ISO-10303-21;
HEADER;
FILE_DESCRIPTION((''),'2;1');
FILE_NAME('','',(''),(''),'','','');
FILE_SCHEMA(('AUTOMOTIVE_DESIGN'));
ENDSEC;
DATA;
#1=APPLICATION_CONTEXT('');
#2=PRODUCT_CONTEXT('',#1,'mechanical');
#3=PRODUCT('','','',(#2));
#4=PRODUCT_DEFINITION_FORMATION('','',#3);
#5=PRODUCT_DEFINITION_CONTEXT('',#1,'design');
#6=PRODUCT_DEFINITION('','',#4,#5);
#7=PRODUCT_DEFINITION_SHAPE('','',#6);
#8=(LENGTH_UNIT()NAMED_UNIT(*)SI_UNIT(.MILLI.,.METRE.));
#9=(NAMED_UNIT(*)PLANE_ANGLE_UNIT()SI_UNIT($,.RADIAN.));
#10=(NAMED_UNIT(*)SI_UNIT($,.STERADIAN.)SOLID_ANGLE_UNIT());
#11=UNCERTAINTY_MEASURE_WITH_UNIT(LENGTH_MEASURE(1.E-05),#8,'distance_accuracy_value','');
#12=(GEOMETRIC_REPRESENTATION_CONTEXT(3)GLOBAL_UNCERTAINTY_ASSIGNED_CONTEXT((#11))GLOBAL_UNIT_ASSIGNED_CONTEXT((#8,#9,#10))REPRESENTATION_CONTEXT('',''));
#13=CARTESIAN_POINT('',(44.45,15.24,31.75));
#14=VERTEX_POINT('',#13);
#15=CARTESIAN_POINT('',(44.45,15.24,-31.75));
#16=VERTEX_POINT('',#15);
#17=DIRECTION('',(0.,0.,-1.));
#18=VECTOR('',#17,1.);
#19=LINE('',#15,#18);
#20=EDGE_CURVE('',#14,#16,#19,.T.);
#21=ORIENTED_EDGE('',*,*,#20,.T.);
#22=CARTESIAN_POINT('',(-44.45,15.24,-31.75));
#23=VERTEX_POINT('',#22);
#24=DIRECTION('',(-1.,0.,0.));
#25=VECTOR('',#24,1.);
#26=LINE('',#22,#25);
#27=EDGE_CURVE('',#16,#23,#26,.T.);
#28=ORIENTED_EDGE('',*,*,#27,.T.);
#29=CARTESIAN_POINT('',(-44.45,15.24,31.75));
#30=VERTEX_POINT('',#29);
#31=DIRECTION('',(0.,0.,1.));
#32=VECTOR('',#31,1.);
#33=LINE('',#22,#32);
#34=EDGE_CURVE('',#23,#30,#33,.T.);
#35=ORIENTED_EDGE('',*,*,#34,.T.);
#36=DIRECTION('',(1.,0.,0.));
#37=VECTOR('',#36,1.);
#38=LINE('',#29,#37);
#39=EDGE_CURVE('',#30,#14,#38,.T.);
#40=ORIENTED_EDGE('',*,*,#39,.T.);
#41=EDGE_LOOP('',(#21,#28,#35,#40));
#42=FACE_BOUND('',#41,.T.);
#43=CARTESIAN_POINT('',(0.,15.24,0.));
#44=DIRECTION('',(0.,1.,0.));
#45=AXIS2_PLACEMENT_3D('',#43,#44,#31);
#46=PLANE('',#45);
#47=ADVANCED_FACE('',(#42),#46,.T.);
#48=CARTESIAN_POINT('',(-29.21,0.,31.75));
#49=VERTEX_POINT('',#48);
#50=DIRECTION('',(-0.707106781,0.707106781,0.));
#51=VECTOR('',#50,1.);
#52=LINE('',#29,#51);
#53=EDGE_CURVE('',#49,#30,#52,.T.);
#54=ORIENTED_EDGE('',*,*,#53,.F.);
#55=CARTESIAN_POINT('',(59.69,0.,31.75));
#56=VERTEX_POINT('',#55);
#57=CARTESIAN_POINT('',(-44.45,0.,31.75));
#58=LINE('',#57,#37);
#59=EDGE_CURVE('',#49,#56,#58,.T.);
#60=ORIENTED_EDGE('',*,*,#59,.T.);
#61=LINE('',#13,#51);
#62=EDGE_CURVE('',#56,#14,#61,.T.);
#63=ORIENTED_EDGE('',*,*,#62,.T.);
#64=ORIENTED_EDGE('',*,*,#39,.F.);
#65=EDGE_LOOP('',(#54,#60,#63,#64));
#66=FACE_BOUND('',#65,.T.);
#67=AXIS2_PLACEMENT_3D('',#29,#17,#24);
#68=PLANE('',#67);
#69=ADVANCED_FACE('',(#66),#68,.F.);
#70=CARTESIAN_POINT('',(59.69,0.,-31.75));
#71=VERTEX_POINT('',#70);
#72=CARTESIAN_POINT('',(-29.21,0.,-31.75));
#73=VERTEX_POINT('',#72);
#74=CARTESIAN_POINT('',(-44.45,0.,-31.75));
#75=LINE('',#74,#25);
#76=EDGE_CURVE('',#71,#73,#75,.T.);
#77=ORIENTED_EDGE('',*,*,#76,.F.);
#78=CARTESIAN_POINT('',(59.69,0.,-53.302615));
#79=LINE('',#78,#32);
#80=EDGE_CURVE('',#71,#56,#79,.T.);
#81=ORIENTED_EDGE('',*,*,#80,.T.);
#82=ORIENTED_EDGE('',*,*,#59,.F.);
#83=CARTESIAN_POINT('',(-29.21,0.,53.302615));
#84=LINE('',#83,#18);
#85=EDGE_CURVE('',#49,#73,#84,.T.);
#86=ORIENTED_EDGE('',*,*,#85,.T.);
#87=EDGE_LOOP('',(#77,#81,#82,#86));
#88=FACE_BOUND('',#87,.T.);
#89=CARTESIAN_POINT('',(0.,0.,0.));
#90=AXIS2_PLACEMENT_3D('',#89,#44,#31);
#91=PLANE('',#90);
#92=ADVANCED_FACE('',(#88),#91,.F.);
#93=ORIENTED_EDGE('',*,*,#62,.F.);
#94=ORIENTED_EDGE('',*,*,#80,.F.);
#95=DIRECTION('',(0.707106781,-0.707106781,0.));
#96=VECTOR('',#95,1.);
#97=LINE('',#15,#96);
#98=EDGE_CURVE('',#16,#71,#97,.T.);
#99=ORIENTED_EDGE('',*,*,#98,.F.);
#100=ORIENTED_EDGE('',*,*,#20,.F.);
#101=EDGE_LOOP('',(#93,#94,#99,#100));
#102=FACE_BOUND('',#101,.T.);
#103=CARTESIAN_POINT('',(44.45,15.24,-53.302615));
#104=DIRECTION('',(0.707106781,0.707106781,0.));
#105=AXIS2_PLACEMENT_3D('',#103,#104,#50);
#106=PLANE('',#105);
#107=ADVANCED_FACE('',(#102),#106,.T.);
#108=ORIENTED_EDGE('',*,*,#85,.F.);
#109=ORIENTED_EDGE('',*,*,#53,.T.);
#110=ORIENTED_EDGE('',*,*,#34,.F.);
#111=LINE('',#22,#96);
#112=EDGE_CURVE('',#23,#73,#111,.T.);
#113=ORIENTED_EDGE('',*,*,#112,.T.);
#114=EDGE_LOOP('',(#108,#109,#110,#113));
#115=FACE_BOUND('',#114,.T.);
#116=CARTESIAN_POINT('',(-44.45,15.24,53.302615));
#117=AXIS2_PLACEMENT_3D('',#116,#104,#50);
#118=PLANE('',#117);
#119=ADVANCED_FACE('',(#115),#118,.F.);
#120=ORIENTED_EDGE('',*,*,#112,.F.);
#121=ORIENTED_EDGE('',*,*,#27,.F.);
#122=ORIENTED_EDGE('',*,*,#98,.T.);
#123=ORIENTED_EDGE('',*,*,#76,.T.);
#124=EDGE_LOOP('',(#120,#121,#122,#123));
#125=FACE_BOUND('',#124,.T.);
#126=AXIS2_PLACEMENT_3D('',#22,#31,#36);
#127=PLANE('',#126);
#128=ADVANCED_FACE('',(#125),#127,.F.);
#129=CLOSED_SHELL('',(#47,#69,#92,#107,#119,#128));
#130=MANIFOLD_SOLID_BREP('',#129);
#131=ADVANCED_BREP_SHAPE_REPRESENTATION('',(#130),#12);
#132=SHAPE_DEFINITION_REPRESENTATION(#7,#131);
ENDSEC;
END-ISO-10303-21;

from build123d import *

# Parameters (mm, degrees)
SKETCH1_W           = 88.9
SKETCH1_H           = 63.5
BOSS_EXTRUDE1_DEPTH = 15.24
BOSS_EXTRUDE2_DEPTH = 63.5
CUT_EXTRUDE1_DEPTH  = 63.5


with BuildPart() as part:
    # Sketch1 → Boss-Extrude1 (new body)
    with BuildSketch(Plane(origin=(0, 0, 0), x_dir=(1, 0, 0), z_dir=(0, 1, 0))):
        Rectangle(SKETCH1_W, SKETCH1_H)
    extrude(amount=BOSS_EXTRUDE1_DEPTH)

    # Sketch2 → Boss-Extrude2 (add)
    with BuildSketch(Plane.XY.offset(31.75)):
        Polygon((44.45, 15.24), (59.69, 0), (44.45, 0), align=None)
    extrude(amount=-BOSS_EXTRUDE2_DEPTH)

    # Sketch3 → Cut-Extrude1 (cut)
    with BuildSketch(Plane(origin=(0, 0, -31.75), x_dir=(-1, 0, 0), z_dir=(0, 0, -1))):
        Polygon((44.45, 15.24), (29.21, 0), (44.45, 0), align=None)
    extrude(amount=-CUT_EXTRUDE1_DEPTH, mode=Mode.SUBTRACT)


solid = part.part
